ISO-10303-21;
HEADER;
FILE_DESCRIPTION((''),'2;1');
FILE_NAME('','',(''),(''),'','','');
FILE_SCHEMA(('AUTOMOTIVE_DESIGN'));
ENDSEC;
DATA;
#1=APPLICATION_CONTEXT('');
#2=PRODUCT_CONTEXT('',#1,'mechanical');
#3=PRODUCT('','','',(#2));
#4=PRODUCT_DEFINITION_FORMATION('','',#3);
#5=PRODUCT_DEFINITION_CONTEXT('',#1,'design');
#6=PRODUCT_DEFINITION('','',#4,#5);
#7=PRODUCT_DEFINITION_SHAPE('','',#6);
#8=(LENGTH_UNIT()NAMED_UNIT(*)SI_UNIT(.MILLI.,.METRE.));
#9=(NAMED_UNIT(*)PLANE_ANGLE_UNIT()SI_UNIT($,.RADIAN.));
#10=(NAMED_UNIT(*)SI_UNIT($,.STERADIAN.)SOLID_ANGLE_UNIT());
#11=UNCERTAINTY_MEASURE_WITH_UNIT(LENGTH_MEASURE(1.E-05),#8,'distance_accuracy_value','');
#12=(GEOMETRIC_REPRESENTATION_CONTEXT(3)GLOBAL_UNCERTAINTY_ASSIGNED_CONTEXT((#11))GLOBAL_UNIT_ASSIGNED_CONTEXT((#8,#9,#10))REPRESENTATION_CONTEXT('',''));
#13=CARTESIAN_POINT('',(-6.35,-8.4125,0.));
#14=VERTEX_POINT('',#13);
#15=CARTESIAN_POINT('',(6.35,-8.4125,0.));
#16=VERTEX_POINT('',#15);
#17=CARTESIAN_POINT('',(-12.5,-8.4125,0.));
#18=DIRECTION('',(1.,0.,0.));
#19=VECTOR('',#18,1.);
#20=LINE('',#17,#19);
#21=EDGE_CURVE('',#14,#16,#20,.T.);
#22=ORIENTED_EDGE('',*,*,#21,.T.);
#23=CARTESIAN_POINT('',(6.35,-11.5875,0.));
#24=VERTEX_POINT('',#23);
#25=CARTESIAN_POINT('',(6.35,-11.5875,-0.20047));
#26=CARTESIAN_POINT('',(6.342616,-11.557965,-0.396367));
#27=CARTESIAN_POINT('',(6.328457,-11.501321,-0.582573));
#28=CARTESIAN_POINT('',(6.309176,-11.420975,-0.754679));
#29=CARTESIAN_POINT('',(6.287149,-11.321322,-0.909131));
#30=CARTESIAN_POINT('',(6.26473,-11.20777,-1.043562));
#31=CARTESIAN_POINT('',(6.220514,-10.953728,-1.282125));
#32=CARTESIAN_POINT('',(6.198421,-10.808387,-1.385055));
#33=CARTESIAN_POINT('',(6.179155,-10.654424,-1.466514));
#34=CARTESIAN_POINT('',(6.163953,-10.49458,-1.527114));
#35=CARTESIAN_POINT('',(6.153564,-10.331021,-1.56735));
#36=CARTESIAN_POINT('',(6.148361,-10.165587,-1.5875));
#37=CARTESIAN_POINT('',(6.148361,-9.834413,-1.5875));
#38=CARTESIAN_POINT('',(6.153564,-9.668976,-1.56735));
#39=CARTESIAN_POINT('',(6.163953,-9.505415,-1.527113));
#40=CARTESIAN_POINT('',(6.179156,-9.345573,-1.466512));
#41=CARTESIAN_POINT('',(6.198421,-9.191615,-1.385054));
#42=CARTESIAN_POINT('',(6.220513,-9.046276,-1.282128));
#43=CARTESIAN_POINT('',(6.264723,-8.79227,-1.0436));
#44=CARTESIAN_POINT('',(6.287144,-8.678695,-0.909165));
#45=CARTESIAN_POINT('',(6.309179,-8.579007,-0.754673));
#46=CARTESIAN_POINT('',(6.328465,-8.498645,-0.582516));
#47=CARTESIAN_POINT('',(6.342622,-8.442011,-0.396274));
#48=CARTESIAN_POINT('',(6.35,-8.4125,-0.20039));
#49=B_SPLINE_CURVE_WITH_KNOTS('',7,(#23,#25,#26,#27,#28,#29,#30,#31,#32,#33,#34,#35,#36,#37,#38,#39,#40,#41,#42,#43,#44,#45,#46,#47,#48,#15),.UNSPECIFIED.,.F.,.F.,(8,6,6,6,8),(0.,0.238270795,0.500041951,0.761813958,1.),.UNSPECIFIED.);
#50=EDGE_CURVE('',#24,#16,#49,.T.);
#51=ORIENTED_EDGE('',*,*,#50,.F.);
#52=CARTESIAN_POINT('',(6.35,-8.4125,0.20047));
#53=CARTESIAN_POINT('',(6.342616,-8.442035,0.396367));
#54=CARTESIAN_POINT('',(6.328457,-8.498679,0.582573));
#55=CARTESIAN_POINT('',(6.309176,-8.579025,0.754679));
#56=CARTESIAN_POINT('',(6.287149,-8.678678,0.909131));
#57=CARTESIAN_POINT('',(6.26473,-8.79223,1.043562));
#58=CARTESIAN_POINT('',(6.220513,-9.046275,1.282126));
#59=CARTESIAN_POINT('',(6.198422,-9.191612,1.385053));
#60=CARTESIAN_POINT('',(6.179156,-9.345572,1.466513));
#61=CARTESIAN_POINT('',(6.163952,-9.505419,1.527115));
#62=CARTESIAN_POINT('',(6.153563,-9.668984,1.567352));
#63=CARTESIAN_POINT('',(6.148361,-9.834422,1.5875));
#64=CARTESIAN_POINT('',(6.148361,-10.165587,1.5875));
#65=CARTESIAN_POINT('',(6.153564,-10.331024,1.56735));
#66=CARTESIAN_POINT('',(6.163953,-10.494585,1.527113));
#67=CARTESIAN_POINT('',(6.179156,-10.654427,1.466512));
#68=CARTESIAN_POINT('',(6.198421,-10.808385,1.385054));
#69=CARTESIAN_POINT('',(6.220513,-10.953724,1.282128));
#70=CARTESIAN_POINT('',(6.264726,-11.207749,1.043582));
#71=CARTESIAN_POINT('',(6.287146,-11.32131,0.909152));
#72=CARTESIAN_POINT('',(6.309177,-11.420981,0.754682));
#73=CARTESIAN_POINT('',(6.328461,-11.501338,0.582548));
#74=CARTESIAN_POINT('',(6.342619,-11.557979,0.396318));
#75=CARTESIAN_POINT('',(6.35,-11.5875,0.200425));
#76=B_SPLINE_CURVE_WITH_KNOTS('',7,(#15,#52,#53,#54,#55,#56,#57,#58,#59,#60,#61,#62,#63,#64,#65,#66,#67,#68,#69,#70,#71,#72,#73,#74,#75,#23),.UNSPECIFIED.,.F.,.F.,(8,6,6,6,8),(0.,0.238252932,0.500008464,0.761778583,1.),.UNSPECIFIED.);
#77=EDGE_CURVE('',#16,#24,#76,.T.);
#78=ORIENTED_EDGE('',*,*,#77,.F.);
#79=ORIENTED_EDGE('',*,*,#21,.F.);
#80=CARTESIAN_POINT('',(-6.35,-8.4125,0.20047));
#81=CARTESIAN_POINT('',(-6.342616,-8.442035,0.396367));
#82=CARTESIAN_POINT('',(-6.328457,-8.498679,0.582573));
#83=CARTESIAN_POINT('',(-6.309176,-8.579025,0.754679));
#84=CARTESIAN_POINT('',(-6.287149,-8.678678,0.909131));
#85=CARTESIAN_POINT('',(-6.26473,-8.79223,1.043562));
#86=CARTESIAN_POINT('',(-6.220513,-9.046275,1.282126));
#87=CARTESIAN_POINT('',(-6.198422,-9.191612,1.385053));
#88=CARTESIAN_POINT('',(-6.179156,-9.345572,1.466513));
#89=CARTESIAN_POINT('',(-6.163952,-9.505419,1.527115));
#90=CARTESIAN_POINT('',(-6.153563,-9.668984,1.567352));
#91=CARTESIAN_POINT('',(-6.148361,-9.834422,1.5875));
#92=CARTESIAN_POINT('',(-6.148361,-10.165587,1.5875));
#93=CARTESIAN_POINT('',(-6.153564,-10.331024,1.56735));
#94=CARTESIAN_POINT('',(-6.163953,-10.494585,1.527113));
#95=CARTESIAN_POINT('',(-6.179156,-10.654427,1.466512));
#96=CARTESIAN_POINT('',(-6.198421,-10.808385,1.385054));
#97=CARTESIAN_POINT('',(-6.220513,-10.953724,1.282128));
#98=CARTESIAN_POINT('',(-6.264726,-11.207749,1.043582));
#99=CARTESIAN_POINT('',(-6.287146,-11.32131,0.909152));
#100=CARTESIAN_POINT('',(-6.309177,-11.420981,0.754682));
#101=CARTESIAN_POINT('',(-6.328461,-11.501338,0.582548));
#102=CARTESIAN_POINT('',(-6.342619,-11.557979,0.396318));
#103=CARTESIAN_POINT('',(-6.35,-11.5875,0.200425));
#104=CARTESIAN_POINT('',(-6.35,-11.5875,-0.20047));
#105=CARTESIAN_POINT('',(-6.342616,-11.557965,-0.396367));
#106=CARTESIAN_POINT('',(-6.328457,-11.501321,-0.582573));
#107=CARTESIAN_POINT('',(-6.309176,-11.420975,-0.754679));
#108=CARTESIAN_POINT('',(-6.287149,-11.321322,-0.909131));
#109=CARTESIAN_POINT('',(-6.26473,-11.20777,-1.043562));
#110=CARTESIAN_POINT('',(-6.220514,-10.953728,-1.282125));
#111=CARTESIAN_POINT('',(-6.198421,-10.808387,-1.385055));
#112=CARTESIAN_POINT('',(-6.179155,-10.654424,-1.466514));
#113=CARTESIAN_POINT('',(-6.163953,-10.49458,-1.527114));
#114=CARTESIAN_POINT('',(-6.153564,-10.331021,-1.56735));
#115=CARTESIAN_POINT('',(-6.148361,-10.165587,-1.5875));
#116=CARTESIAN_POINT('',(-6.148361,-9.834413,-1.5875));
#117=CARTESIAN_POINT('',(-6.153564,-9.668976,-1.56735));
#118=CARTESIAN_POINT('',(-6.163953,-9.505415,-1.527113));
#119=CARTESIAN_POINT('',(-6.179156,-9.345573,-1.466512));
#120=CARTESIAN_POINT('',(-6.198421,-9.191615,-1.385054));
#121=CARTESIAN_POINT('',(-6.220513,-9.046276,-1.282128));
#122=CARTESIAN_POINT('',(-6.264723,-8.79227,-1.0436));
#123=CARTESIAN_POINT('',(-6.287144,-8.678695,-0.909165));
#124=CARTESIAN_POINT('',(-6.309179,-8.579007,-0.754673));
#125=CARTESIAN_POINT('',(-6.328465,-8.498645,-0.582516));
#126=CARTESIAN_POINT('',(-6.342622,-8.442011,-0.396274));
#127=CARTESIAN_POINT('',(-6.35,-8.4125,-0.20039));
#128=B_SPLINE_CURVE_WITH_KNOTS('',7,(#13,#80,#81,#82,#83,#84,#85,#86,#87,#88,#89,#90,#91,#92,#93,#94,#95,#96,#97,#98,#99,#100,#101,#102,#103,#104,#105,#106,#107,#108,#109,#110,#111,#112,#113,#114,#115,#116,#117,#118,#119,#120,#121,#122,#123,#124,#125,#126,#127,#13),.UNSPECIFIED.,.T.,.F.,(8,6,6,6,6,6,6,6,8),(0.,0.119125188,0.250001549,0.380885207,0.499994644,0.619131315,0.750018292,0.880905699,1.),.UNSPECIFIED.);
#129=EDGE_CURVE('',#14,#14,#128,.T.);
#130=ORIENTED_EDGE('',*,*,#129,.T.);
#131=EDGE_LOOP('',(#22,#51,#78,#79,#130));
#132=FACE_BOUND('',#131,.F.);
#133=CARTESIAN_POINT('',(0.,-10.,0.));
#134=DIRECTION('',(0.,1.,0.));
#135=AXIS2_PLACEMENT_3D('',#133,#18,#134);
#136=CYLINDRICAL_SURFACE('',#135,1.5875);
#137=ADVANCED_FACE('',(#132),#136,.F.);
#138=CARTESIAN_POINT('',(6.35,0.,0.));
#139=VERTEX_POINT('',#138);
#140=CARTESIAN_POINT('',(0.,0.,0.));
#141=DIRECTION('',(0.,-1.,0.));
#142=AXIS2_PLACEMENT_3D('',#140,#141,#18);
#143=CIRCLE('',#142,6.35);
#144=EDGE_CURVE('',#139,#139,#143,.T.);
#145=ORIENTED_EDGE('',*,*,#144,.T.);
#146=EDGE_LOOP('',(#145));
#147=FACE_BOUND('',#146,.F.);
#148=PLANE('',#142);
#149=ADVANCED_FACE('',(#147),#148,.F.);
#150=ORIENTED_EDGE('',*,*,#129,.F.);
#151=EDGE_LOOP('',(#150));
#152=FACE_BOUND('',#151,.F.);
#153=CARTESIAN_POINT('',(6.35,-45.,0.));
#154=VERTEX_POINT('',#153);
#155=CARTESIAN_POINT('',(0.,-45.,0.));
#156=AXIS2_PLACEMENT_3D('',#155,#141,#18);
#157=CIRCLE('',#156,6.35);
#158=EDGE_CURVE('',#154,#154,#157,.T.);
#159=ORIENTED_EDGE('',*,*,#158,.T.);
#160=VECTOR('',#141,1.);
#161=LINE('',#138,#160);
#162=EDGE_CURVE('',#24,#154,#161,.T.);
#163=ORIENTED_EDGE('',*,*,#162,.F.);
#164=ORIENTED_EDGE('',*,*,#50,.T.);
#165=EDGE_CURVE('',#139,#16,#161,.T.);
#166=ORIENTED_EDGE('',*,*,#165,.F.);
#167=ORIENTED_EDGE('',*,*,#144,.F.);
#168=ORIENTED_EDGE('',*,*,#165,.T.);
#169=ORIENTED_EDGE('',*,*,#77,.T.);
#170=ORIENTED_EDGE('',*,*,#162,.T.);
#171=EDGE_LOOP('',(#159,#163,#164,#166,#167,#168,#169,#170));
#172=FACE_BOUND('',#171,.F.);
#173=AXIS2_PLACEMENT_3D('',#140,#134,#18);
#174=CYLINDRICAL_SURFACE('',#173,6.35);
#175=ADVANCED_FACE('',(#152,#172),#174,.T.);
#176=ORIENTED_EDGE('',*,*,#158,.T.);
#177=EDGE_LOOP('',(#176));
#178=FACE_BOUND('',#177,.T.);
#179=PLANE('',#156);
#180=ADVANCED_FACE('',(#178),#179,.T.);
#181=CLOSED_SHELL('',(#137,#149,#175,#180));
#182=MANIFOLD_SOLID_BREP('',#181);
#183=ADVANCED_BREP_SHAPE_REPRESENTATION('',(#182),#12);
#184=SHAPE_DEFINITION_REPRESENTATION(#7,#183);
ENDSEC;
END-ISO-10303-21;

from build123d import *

# Parameters (mm, degrees)
F0_R     = 6.35
F1_DEPTH = 45
F2_R     = 1.5875
F3_DEPTH = 12.5


with BuildPart() as f1:
    # F0 (on Front) → F1 (new body)
    with BuildSketch(Plane.XZ):
        Circle(F0_R)
    extrude(amount=F1_DEPTH)

    # F2 (on Right) → F3 (cut, symmetric)
    with BuildSketch(Plane.YZ):
        with Locations((-10, 0)):
            Circle(F2_R)
    extrude(amount=F3_DEPTH, both=True, mode=Mode.SUBTRACT)


solid = f1.part
